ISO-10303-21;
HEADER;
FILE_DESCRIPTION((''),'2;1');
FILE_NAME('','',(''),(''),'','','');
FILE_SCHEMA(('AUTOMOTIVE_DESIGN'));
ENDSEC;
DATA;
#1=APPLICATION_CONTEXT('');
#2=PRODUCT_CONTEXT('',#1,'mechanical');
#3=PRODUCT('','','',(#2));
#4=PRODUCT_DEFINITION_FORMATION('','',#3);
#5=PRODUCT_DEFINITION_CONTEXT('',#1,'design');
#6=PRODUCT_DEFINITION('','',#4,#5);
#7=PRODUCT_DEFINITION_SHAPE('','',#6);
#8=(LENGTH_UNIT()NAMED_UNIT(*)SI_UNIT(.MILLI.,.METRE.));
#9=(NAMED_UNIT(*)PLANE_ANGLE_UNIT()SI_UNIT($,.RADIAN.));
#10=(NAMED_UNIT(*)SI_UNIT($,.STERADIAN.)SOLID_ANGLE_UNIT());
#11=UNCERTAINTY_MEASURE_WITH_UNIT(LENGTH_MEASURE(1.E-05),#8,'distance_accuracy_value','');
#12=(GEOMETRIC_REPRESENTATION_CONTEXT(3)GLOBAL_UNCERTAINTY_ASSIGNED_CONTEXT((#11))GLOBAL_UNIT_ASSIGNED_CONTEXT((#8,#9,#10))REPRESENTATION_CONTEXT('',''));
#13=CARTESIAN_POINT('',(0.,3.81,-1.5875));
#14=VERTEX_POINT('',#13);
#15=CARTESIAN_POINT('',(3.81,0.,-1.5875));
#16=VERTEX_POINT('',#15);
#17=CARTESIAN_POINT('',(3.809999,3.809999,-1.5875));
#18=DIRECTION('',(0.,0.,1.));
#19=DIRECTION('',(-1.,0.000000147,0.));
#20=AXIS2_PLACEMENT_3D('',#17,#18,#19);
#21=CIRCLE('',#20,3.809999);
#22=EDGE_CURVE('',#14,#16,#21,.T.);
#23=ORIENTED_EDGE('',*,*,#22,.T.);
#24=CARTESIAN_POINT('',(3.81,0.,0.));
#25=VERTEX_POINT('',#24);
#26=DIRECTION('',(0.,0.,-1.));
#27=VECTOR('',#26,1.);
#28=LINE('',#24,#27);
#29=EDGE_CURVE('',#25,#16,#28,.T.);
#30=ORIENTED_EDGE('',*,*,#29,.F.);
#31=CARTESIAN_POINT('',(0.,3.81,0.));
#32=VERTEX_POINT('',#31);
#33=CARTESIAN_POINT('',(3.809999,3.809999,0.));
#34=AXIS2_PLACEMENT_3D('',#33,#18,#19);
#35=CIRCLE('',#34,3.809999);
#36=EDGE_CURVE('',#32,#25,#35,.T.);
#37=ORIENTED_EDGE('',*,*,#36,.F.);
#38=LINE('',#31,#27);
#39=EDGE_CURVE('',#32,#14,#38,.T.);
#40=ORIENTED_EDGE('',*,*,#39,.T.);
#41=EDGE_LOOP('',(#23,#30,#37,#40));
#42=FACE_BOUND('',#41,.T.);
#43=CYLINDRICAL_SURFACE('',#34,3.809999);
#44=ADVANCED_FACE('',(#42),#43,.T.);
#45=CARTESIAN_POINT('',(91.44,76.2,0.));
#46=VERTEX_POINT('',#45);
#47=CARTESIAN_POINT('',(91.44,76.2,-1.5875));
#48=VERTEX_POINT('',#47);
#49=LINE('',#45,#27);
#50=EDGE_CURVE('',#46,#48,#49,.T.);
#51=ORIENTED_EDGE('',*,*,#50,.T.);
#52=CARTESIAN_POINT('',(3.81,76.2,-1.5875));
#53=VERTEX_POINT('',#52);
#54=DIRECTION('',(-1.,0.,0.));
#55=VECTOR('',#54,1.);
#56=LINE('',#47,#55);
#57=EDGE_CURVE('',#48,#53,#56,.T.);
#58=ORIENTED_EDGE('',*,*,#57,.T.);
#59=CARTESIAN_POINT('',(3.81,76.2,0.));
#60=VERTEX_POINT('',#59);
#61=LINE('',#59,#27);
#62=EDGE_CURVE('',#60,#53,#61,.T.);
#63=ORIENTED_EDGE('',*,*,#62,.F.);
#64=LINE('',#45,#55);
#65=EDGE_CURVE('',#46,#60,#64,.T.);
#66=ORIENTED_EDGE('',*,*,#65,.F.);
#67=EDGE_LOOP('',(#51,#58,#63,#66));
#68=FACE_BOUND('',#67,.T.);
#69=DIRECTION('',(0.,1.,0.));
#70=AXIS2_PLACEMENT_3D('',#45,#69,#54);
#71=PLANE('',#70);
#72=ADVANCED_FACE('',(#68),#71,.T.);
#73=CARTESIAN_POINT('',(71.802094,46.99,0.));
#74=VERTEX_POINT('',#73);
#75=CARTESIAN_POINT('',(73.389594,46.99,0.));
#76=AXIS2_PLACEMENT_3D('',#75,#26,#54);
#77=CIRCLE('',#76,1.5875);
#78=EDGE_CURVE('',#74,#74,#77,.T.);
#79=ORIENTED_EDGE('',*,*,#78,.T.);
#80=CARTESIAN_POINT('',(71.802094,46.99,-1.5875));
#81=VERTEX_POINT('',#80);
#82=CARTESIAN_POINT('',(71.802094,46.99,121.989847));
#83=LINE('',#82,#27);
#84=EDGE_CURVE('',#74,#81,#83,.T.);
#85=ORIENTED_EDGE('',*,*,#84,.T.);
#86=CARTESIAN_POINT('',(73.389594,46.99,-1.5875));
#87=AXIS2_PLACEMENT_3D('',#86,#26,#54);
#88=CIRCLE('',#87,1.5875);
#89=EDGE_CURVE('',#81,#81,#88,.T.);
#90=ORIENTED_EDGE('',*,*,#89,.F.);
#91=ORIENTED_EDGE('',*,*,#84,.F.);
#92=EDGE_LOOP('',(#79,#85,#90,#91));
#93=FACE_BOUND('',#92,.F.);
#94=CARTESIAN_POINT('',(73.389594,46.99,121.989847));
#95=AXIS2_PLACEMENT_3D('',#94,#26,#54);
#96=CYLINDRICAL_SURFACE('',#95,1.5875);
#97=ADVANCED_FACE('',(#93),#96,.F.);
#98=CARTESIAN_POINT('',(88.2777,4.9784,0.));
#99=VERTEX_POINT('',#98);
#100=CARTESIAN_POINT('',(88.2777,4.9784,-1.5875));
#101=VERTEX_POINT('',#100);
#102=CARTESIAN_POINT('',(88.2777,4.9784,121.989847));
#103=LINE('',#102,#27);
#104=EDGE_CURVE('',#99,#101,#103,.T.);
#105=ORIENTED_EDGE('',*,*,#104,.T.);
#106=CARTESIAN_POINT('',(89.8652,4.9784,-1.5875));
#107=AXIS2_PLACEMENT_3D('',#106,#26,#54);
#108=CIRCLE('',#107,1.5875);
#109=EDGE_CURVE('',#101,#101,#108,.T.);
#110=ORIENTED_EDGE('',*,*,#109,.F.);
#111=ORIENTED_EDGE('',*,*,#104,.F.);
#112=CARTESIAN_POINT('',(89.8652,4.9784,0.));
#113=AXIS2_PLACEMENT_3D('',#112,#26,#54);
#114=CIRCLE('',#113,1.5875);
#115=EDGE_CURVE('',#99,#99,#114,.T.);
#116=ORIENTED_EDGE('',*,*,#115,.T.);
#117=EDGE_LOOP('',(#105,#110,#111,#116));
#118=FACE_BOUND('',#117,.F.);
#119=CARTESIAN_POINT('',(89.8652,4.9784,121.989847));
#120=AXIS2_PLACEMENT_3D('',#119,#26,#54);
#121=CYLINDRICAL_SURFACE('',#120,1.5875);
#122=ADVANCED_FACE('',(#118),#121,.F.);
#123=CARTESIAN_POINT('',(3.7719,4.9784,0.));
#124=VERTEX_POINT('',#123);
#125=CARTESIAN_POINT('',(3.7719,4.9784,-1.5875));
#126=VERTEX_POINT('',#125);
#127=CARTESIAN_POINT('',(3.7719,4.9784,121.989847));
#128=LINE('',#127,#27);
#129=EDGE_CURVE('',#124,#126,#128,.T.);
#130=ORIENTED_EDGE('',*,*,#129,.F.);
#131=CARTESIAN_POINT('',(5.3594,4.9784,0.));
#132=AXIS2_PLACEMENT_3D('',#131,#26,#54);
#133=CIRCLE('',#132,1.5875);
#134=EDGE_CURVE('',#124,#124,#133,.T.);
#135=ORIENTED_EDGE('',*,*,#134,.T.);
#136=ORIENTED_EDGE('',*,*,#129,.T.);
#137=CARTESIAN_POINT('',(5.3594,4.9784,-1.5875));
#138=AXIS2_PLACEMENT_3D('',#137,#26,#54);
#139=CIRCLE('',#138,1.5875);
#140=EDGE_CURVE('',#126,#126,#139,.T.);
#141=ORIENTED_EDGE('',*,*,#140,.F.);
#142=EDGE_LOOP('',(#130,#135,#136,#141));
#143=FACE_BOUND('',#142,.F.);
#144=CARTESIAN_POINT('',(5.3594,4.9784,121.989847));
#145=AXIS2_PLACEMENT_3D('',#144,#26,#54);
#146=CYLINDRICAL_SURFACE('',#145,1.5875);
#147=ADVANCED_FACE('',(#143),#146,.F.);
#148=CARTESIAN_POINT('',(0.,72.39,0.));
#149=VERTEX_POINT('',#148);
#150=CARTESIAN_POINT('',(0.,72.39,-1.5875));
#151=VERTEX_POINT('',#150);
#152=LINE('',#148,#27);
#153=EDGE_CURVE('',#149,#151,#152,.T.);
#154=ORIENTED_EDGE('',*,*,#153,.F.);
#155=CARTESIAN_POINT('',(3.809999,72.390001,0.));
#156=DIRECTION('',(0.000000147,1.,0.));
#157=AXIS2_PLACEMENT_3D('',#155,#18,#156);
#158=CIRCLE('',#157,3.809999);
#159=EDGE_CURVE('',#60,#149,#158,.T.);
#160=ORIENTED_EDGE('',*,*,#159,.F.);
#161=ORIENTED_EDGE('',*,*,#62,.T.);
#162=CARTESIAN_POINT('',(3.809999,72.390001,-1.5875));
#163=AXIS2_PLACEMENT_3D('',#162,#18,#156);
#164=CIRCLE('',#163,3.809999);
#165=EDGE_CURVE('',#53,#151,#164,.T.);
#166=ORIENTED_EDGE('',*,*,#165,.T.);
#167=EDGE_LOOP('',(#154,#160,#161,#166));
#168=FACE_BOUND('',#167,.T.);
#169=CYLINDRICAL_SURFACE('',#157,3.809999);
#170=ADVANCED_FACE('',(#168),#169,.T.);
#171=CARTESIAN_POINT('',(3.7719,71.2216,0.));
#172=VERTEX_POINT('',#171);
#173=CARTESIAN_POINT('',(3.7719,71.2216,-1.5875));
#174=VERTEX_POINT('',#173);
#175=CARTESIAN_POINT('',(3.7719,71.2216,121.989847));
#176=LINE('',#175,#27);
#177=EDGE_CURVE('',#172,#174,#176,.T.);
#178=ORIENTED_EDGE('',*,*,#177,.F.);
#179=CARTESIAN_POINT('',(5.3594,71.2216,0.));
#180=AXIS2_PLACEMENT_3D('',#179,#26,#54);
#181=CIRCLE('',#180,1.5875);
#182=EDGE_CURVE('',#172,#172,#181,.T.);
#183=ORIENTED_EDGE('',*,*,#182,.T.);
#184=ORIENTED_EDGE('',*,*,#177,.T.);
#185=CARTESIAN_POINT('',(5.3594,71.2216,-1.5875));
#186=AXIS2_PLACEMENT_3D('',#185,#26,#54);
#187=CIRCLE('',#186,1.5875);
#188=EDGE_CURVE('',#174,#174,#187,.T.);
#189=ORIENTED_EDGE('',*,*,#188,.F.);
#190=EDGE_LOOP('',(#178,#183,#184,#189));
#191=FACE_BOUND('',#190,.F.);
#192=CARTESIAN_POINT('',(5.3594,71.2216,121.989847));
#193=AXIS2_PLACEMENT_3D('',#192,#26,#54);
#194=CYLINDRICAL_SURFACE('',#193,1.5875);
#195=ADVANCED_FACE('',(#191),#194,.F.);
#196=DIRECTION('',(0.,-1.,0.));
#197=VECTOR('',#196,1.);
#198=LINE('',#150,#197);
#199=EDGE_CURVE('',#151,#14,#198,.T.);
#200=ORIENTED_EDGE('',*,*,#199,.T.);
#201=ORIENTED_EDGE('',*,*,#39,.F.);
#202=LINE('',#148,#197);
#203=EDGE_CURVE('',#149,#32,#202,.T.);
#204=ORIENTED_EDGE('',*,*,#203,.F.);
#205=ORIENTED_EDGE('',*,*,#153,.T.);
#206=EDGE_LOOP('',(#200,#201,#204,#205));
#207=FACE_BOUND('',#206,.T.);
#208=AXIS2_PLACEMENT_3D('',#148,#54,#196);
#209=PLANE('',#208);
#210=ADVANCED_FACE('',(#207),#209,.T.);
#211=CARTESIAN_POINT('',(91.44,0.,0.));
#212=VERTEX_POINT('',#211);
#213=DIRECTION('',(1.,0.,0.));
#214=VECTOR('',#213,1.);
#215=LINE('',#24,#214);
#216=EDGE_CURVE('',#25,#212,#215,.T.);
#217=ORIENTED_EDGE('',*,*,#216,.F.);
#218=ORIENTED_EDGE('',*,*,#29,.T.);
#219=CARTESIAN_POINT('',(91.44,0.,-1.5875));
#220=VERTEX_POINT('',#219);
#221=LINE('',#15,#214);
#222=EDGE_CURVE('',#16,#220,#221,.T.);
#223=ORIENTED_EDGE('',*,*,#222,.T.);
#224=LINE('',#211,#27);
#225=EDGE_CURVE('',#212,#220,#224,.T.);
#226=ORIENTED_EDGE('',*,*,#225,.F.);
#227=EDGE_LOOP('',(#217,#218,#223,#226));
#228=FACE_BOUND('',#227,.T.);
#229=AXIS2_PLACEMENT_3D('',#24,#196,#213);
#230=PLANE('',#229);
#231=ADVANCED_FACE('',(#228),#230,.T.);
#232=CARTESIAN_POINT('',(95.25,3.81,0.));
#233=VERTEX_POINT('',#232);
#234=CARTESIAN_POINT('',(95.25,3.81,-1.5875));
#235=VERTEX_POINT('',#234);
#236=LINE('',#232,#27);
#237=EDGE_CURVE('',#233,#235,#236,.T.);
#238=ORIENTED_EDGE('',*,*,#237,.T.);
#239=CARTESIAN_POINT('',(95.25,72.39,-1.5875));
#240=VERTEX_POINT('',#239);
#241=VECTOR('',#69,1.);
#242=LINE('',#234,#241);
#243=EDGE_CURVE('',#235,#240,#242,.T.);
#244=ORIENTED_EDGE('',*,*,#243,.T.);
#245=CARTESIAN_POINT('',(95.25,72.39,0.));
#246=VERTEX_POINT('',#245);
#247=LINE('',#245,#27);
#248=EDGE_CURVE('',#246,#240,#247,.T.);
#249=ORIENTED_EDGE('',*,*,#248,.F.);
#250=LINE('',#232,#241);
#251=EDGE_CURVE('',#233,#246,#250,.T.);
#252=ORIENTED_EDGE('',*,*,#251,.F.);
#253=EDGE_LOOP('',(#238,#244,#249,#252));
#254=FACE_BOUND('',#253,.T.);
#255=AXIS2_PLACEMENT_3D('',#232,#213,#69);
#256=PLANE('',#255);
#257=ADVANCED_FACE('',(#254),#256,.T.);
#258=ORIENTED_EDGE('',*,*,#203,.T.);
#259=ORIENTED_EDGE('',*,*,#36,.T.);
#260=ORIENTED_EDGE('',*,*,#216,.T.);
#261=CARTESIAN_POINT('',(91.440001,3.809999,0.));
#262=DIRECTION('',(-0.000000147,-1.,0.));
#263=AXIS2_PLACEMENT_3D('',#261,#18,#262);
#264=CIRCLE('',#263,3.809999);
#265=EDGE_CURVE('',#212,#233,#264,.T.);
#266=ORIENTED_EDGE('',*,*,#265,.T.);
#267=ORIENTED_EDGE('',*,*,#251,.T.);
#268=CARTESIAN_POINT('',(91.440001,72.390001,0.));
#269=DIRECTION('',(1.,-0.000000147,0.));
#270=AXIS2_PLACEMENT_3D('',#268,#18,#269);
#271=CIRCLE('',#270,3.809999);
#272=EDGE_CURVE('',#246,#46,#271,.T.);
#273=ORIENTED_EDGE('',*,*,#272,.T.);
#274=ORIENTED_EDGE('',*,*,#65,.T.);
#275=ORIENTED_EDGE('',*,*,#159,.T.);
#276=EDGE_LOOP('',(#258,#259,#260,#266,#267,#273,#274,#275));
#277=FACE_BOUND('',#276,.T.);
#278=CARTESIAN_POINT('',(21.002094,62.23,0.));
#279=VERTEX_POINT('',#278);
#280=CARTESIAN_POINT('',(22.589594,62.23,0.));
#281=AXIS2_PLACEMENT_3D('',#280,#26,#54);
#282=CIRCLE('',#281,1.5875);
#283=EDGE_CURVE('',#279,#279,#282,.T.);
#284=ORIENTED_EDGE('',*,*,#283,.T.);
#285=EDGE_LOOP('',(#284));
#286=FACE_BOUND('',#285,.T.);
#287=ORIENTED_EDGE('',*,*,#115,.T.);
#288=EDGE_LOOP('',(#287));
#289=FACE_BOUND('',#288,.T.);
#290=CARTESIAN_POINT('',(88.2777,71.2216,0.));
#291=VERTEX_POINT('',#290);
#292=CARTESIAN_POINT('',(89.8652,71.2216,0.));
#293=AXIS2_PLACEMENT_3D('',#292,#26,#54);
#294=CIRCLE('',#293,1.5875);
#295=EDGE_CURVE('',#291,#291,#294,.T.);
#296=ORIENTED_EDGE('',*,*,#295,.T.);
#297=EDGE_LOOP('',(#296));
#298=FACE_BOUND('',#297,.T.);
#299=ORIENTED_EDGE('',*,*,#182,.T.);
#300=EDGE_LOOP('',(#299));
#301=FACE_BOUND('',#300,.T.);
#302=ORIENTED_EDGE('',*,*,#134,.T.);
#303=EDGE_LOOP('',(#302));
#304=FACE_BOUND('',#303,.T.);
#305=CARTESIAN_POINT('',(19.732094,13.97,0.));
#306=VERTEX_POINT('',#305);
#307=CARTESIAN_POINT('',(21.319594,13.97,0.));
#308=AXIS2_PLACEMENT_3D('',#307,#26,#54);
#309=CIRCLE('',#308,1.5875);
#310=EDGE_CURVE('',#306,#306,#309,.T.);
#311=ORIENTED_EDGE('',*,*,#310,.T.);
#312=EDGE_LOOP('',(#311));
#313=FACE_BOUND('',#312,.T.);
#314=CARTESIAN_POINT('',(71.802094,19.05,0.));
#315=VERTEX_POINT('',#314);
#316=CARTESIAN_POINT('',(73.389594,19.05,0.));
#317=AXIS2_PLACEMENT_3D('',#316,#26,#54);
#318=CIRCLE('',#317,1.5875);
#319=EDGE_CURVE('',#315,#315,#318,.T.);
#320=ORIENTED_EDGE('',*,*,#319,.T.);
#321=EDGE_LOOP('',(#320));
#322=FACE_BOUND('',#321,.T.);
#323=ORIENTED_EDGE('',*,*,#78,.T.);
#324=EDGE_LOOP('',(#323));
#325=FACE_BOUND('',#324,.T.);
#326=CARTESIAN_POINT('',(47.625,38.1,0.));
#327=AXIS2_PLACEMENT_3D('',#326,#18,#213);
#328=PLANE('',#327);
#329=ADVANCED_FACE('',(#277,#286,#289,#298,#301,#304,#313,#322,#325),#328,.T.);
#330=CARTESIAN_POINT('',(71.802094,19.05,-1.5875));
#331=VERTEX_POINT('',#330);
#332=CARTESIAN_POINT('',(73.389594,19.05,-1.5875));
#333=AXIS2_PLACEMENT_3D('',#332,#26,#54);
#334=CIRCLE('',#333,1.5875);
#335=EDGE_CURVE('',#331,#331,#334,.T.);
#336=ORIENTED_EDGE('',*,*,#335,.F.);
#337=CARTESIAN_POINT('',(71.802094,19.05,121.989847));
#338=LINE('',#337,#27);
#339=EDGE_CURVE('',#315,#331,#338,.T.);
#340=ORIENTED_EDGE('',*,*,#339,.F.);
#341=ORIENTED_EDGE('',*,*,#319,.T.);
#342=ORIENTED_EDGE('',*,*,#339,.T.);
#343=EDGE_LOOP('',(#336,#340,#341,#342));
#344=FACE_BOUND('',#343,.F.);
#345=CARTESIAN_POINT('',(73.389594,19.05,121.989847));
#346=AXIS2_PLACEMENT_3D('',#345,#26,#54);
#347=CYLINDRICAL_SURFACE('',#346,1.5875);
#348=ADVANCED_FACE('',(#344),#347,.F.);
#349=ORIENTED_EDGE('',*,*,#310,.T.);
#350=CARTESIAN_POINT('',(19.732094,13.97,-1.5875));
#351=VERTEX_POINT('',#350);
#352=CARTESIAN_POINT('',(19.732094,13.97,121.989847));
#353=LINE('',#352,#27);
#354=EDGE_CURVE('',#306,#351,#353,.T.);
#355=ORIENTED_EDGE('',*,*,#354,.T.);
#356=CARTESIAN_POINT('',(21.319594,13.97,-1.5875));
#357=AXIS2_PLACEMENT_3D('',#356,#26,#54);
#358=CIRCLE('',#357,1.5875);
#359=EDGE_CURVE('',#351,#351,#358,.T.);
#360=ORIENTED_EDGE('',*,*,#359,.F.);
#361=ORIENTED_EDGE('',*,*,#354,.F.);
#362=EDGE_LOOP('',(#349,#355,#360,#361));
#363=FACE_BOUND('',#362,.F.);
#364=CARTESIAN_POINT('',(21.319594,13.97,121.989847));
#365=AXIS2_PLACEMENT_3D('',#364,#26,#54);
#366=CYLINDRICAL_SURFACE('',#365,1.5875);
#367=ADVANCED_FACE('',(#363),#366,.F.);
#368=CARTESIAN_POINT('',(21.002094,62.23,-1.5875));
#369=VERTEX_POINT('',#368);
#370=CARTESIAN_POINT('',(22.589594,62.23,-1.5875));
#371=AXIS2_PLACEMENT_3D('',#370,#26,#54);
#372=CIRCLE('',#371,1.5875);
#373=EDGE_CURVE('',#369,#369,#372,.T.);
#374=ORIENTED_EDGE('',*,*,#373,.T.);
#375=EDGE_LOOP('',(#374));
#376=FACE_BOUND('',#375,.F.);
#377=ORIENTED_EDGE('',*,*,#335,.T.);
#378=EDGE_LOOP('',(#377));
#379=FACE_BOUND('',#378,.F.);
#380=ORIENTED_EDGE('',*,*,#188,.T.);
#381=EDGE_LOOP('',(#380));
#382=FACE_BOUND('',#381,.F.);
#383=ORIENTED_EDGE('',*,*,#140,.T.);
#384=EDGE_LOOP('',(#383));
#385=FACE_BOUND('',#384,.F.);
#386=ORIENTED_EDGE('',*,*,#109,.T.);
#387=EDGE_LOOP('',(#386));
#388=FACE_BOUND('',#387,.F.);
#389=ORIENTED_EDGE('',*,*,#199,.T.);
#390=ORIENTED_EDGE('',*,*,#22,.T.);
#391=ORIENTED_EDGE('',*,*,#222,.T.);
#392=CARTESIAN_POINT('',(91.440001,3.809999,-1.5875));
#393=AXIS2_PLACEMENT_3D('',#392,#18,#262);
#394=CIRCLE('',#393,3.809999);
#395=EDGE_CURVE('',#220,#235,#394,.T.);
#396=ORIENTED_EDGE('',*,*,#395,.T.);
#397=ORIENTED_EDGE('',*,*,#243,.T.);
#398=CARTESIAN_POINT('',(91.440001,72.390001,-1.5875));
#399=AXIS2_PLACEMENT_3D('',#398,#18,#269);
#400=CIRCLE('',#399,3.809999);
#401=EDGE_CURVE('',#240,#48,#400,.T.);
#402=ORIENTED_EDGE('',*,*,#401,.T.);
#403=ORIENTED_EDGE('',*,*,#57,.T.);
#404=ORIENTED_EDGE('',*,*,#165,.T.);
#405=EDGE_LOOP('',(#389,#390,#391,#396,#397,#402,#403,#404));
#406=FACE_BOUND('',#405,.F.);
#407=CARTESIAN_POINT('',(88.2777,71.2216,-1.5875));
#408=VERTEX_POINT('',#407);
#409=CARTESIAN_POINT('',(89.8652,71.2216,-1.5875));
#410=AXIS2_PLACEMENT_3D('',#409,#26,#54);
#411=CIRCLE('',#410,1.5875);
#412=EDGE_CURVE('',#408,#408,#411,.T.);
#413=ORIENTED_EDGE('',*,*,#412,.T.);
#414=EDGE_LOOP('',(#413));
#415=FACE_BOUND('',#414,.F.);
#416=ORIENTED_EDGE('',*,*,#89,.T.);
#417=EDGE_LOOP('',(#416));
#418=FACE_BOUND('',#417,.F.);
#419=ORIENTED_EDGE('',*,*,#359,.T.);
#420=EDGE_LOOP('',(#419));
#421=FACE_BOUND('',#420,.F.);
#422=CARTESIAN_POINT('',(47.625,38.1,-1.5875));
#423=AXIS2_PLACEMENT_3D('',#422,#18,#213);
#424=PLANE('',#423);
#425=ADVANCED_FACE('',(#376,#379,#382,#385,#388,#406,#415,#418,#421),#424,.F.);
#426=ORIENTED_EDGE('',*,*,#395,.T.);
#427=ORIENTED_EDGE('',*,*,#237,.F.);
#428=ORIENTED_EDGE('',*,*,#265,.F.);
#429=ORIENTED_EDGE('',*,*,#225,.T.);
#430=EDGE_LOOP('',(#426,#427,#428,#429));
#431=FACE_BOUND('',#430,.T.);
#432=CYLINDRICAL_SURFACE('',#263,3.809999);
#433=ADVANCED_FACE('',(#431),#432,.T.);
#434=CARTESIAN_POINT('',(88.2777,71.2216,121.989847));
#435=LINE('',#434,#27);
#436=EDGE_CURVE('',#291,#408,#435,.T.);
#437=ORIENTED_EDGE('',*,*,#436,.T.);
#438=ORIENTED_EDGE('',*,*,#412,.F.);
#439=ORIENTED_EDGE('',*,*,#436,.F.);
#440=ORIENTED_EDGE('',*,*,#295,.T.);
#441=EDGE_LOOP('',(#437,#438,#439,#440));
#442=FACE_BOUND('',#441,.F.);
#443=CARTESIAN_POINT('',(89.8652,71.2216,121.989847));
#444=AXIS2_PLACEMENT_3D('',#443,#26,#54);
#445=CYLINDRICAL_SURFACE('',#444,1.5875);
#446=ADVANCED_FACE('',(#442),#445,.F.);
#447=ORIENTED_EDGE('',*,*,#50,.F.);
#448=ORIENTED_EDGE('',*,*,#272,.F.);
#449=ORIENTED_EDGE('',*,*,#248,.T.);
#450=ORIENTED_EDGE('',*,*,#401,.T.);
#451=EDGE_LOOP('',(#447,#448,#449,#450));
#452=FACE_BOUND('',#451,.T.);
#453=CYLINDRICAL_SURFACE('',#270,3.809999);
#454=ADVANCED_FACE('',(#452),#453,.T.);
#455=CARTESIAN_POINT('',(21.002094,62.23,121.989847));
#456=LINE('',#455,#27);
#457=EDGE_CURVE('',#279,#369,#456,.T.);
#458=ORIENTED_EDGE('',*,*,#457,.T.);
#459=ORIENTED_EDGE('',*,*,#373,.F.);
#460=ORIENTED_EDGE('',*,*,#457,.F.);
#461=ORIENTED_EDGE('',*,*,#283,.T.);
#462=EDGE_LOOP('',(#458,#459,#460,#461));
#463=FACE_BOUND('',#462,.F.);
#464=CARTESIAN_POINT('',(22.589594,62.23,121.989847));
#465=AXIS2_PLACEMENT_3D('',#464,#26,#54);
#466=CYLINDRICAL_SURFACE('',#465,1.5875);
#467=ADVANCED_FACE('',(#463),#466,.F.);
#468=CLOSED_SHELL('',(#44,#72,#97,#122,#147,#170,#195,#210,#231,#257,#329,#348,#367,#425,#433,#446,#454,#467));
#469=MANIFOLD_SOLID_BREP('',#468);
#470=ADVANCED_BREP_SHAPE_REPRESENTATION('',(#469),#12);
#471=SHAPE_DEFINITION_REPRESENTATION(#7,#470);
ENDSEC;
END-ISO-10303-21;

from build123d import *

# Parameters (mm, degrees)
F1_DEPTH = 1.5875
F2_D     = 3.175


with BuildPart() as f1:
    # F0 (on Top) → F1 (new body)
    with BuildSketch(Plane.XY):
        with BuildLine():
            ThreePointArc((0, 3.81), (1.115923, 1.115923), (3.81, 0))
            Line((3.81, 0), (91.44, 0))
            ThreePointArc((91.44, 0), (94.134077, 1.115923), (95.25, 3.81))
            Line((95.25, 3.81), (95.25, 72.39))
            ThreePointArc((95.25, 72.39), (94.134077, 75.084077), (91.44, 76.2))
            Line((91.44, 76.2), (3.81, 76.2))
            ThreePointArc((3.81, 76.2), (1.115923, 75.084077), (0, 72.39))
            Line((0, 72.39), (0, 3.81))
        make_face()
    extrude(amount=-F1_DEPTH)

    # F2 (through all)
    with Locations(Plane.XY):
        with Locations((5.3594, 71.2216), (22.589594, 62.23), (73.389594, 46.99), (89.8652, 71.2216), (89.8652, 4.9784), (73.389594, 19.05), (21.319594, 13.97), (5.3594, 4.9784)):
            Hole(F2_D / 2)


solid = f1.part
